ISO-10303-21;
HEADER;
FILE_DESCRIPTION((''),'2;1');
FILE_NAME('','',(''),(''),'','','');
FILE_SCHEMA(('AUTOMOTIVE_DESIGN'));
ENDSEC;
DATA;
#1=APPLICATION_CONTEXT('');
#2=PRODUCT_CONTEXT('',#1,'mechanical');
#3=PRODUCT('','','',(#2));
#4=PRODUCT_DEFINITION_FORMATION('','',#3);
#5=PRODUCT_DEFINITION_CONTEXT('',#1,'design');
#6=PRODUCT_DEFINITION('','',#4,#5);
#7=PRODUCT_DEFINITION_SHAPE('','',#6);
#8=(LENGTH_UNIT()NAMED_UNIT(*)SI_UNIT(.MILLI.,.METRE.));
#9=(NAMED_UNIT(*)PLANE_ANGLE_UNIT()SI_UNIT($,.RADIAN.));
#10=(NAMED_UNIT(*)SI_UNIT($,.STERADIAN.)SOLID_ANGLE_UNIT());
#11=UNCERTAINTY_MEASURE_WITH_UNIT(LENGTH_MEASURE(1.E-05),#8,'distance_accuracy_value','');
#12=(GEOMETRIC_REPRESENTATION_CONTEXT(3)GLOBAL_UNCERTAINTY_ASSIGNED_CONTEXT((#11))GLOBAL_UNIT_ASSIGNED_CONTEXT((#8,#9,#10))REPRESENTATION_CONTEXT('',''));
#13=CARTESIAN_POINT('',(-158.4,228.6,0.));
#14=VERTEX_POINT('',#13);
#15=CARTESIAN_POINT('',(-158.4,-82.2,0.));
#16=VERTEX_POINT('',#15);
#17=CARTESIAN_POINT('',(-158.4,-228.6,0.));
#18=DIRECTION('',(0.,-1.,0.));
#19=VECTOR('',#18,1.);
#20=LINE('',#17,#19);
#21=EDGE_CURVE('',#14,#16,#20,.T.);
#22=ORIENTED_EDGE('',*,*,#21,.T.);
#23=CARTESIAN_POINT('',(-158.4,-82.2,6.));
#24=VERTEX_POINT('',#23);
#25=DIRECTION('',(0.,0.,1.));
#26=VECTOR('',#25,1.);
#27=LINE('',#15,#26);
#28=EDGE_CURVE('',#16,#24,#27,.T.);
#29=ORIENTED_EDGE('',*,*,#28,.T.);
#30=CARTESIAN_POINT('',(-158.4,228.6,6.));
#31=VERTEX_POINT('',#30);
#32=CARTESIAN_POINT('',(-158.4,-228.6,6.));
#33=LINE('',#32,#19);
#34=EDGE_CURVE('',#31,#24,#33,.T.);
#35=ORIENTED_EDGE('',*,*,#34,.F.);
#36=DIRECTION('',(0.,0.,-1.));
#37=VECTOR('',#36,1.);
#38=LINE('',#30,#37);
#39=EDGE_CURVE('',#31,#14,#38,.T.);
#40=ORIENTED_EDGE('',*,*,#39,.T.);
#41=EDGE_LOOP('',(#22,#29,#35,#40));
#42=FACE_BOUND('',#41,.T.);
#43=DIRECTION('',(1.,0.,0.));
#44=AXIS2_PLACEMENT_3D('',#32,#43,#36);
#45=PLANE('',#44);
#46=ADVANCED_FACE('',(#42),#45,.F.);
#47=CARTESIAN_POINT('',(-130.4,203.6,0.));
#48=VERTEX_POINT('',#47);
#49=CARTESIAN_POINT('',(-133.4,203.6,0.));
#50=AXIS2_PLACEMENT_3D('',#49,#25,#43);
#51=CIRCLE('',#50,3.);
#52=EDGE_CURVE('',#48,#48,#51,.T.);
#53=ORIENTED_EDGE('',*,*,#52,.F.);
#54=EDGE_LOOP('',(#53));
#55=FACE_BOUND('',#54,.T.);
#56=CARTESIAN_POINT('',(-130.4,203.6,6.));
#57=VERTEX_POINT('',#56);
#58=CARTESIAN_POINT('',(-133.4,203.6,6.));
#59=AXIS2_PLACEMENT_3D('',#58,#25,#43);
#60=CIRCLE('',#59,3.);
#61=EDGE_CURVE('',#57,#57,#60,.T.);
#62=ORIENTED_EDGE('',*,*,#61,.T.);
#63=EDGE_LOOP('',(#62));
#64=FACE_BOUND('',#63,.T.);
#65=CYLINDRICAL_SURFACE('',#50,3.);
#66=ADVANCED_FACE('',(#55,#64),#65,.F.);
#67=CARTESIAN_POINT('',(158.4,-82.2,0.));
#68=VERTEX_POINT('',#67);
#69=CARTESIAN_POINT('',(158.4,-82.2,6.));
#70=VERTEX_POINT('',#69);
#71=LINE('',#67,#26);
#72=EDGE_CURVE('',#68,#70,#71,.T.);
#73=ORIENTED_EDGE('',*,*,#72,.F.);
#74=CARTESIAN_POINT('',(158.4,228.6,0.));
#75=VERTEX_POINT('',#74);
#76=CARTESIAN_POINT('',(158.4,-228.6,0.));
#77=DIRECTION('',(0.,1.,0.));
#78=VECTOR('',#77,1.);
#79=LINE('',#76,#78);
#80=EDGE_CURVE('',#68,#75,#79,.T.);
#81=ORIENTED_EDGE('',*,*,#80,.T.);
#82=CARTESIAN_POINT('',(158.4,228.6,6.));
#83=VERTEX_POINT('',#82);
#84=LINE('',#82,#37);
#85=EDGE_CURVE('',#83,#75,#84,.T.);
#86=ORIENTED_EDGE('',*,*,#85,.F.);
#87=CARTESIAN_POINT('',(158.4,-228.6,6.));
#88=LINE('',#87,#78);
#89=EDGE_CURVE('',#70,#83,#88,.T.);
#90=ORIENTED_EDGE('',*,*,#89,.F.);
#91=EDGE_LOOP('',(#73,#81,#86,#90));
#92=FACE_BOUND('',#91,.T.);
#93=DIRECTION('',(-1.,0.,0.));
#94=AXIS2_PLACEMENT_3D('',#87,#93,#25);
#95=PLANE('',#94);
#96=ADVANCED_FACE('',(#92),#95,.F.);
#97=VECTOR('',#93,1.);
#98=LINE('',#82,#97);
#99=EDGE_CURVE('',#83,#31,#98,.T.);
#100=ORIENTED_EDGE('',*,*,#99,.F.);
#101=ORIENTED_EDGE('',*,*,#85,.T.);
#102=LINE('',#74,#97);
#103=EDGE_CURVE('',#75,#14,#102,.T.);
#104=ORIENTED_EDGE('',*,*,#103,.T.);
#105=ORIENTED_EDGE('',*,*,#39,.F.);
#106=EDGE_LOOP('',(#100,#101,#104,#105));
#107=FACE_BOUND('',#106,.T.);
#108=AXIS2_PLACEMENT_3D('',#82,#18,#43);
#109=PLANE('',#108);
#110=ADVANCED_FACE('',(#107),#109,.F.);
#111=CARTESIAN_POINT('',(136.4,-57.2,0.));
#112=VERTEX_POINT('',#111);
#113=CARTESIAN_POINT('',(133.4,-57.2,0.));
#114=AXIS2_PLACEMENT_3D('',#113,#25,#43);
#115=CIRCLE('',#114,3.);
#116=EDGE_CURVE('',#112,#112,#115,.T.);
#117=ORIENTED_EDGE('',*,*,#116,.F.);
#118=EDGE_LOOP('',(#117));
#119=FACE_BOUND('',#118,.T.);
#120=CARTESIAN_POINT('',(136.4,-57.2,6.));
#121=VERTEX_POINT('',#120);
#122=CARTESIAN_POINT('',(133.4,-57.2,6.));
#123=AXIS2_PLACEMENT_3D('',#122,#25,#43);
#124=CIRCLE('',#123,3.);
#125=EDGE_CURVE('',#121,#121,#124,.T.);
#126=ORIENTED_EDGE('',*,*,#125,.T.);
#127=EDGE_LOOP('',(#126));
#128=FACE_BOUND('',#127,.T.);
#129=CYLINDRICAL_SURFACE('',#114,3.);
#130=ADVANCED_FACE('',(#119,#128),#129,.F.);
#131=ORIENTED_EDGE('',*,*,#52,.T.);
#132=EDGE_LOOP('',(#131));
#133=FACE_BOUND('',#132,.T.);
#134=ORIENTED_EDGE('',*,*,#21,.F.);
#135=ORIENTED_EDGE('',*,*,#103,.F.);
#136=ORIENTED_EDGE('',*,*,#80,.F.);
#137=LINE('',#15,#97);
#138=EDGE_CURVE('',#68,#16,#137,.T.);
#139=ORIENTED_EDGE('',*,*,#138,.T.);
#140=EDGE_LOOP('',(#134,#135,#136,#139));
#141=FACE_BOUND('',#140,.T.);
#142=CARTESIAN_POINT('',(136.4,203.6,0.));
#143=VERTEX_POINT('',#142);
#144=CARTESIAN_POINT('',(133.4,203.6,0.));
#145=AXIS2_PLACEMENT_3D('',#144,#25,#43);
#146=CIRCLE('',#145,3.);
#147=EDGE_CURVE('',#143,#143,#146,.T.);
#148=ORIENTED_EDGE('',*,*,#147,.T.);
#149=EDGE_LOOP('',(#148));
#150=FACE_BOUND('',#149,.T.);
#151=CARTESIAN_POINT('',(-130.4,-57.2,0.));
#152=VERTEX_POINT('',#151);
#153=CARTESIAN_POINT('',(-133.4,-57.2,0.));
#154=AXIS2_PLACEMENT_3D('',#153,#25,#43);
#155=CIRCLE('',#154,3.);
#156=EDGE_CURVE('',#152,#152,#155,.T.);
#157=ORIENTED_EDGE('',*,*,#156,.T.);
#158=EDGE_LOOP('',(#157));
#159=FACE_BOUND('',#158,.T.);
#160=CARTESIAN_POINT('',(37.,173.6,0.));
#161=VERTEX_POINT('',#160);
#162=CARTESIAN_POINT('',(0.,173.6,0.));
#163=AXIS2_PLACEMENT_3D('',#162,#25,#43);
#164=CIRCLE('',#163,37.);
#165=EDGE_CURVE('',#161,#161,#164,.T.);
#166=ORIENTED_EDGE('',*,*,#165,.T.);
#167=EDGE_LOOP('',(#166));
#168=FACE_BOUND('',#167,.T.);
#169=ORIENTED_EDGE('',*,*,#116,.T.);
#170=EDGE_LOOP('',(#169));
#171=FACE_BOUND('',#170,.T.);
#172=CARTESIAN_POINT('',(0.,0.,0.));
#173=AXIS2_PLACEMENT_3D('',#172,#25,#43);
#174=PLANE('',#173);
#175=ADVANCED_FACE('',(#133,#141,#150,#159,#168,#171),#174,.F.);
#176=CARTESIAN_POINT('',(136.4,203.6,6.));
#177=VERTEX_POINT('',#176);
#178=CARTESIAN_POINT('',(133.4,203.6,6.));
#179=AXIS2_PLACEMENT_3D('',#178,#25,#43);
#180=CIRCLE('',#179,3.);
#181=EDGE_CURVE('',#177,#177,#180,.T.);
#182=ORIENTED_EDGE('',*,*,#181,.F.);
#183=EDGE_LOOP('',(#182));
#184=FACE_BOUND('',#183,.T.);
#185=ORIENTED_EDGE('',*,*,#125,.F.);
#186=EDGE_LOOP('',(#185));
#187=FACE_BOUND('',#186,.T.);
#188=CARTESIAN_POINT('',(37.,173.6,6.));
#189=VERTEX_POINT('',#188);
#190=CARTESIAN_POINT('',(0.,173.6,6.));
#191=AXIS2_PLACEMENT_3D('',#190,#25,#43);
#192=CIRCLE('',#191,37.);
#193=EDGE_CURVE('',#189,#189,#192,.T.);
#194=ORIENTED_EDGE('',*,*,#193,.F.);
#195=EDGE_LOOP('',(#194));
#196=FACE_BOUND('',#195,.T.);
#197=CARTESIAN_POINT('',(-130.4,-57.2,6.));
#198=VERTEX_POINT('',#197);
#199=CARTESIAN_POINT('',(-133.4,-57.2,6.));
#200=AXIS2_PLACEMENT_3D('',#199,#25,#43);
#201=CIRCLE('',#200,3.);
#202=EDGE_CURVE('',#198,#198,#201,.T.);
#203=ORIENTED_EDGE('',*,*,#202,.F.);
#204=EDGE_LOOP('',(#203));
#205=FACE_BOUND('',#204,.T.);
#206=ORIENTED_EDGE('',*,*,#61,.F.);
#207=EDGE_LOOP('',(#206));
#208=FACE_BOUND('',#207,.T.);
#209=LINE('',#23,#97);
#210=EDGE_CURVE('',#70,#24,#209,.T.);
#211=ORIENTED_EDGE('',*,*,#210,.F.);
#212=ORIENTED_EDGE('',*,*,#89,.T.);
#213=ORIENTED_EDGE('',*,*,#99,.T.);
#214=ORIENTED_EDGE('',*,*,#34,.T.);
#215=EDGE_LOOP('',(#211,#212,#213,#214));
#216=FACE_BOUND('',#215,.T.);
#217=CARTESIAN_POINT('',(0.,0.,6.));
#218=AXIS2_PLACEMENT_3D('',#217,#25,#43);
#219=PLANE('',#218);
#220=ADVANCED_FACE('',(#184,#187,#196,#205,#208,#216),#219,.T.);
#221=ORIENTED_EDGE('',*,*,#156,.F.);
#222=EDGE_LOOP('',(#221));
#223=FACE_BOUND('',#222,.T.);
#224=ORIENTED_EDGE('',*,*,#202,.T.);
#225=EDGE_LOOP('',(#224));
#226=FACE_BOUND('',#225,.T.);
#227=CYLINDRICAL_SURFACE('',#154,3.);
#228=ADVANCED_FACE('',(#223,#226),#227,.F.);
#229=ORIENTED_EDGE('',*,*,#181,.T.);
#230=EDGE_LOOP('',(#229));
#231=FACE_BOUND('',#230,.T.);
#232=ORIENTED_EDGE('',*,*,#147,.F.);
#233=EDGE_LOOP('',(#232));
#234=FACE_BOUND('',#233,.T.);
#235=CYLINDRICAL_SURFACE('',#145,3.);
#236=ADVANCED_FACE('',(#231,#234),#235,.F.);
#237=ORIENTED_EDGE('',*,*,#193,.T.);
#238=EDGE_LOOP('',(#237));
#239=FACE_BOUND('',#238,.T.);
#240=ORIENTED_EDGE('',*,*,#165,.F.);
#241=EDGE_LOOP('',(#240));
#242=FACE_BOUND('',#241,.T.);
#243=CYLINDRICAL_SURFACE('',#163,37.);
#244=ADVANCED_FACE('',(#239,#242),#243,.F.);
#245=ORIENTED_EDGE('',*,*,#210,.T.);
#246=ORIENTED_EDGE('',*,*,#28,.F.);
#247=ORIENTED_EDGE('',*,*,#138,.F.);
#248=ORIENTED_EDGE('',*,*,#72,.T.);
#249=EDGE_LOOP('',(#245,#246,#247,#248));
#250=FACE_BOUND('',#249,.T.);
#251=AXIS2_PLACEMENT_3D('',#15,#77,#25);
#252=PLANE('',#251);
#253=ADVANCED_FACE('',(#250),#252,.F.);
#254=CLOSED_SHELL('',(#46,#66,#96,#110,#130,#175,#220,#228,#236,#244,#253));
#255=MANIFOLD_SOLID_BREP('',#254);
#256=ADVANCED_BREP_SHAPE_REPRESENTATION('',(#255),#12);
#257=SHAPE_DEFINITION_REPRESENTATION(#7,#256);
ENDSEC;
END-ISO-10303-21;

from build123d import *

# Parameters (mm, degrees)
SKETCH1_W           = 316.8
SKETCH1_H           = 457.2
BOSS_EXTRUDE1_DEPTH = 6
SKETCH2_R           = 37
CUT_EXTRUDE1_DEPTH  = 279.180732618
SKETCH3_W           = 316.8
SKETCH3_H           = 146.4
CUT_EXTRUDE2_DEPTH  = 279.180732618
SKETCH4_R           = 3
CUT_EXTRUDE3_DEPTH  = 279.180732618


with BuildPart() as part:
    # Sketch1 → Boss-Extrude1 (new body)
    with BuildSketch(Plane.XY):
        Rectangle(SKETCH1_W, SKETCH1_H)
    extrude(amount=BOSS_EXTRUDE1_DEPTH)

    # Sketch2 → Cut-Extrude1 (cut, through all)
    with BuildSketch(Plane.XY.offset(6)):
        with Locations((0, 173.6)):
            Circle(SKETCH2_R)
    extrude(amount=-CUT_EXTRUDE1_DEPTH, mode=Mode.SUBTRACT)

    # Sketch3 → Cut-Extrude2 (cut, through all)
    with BuildSketch(Plane.XY.offset(6)):
        with Locations((0, -155.4)):
            Rectangle(SKETCH3_W, SKETCH3_H)
    extrude(amount=-CUT_EXTRUDE2_DEPTH, mode=Mode.SUBTRACT)

    # Sketch4 → Cut-Extrude3 (cut, through all)
    with BuildSketch(Plane.XY.offset(6)):
        with Locations((-133.4, 203.6)):
            Circle(SKETCH4_R)
        with Locations((-133.4, -57.2)):
            Circle(SKETCH4_R)
        with Locations((133.4, -57.2)):
            Circle(SKETCH4_R)
        with Locations((133.4, 203.6)):
            Circle(SKETCH4_R)
    extrude(amount=-CUT_EXTRUDE3_DEPTH, mode=Mode.SUBTRACT)


solid = part.part
